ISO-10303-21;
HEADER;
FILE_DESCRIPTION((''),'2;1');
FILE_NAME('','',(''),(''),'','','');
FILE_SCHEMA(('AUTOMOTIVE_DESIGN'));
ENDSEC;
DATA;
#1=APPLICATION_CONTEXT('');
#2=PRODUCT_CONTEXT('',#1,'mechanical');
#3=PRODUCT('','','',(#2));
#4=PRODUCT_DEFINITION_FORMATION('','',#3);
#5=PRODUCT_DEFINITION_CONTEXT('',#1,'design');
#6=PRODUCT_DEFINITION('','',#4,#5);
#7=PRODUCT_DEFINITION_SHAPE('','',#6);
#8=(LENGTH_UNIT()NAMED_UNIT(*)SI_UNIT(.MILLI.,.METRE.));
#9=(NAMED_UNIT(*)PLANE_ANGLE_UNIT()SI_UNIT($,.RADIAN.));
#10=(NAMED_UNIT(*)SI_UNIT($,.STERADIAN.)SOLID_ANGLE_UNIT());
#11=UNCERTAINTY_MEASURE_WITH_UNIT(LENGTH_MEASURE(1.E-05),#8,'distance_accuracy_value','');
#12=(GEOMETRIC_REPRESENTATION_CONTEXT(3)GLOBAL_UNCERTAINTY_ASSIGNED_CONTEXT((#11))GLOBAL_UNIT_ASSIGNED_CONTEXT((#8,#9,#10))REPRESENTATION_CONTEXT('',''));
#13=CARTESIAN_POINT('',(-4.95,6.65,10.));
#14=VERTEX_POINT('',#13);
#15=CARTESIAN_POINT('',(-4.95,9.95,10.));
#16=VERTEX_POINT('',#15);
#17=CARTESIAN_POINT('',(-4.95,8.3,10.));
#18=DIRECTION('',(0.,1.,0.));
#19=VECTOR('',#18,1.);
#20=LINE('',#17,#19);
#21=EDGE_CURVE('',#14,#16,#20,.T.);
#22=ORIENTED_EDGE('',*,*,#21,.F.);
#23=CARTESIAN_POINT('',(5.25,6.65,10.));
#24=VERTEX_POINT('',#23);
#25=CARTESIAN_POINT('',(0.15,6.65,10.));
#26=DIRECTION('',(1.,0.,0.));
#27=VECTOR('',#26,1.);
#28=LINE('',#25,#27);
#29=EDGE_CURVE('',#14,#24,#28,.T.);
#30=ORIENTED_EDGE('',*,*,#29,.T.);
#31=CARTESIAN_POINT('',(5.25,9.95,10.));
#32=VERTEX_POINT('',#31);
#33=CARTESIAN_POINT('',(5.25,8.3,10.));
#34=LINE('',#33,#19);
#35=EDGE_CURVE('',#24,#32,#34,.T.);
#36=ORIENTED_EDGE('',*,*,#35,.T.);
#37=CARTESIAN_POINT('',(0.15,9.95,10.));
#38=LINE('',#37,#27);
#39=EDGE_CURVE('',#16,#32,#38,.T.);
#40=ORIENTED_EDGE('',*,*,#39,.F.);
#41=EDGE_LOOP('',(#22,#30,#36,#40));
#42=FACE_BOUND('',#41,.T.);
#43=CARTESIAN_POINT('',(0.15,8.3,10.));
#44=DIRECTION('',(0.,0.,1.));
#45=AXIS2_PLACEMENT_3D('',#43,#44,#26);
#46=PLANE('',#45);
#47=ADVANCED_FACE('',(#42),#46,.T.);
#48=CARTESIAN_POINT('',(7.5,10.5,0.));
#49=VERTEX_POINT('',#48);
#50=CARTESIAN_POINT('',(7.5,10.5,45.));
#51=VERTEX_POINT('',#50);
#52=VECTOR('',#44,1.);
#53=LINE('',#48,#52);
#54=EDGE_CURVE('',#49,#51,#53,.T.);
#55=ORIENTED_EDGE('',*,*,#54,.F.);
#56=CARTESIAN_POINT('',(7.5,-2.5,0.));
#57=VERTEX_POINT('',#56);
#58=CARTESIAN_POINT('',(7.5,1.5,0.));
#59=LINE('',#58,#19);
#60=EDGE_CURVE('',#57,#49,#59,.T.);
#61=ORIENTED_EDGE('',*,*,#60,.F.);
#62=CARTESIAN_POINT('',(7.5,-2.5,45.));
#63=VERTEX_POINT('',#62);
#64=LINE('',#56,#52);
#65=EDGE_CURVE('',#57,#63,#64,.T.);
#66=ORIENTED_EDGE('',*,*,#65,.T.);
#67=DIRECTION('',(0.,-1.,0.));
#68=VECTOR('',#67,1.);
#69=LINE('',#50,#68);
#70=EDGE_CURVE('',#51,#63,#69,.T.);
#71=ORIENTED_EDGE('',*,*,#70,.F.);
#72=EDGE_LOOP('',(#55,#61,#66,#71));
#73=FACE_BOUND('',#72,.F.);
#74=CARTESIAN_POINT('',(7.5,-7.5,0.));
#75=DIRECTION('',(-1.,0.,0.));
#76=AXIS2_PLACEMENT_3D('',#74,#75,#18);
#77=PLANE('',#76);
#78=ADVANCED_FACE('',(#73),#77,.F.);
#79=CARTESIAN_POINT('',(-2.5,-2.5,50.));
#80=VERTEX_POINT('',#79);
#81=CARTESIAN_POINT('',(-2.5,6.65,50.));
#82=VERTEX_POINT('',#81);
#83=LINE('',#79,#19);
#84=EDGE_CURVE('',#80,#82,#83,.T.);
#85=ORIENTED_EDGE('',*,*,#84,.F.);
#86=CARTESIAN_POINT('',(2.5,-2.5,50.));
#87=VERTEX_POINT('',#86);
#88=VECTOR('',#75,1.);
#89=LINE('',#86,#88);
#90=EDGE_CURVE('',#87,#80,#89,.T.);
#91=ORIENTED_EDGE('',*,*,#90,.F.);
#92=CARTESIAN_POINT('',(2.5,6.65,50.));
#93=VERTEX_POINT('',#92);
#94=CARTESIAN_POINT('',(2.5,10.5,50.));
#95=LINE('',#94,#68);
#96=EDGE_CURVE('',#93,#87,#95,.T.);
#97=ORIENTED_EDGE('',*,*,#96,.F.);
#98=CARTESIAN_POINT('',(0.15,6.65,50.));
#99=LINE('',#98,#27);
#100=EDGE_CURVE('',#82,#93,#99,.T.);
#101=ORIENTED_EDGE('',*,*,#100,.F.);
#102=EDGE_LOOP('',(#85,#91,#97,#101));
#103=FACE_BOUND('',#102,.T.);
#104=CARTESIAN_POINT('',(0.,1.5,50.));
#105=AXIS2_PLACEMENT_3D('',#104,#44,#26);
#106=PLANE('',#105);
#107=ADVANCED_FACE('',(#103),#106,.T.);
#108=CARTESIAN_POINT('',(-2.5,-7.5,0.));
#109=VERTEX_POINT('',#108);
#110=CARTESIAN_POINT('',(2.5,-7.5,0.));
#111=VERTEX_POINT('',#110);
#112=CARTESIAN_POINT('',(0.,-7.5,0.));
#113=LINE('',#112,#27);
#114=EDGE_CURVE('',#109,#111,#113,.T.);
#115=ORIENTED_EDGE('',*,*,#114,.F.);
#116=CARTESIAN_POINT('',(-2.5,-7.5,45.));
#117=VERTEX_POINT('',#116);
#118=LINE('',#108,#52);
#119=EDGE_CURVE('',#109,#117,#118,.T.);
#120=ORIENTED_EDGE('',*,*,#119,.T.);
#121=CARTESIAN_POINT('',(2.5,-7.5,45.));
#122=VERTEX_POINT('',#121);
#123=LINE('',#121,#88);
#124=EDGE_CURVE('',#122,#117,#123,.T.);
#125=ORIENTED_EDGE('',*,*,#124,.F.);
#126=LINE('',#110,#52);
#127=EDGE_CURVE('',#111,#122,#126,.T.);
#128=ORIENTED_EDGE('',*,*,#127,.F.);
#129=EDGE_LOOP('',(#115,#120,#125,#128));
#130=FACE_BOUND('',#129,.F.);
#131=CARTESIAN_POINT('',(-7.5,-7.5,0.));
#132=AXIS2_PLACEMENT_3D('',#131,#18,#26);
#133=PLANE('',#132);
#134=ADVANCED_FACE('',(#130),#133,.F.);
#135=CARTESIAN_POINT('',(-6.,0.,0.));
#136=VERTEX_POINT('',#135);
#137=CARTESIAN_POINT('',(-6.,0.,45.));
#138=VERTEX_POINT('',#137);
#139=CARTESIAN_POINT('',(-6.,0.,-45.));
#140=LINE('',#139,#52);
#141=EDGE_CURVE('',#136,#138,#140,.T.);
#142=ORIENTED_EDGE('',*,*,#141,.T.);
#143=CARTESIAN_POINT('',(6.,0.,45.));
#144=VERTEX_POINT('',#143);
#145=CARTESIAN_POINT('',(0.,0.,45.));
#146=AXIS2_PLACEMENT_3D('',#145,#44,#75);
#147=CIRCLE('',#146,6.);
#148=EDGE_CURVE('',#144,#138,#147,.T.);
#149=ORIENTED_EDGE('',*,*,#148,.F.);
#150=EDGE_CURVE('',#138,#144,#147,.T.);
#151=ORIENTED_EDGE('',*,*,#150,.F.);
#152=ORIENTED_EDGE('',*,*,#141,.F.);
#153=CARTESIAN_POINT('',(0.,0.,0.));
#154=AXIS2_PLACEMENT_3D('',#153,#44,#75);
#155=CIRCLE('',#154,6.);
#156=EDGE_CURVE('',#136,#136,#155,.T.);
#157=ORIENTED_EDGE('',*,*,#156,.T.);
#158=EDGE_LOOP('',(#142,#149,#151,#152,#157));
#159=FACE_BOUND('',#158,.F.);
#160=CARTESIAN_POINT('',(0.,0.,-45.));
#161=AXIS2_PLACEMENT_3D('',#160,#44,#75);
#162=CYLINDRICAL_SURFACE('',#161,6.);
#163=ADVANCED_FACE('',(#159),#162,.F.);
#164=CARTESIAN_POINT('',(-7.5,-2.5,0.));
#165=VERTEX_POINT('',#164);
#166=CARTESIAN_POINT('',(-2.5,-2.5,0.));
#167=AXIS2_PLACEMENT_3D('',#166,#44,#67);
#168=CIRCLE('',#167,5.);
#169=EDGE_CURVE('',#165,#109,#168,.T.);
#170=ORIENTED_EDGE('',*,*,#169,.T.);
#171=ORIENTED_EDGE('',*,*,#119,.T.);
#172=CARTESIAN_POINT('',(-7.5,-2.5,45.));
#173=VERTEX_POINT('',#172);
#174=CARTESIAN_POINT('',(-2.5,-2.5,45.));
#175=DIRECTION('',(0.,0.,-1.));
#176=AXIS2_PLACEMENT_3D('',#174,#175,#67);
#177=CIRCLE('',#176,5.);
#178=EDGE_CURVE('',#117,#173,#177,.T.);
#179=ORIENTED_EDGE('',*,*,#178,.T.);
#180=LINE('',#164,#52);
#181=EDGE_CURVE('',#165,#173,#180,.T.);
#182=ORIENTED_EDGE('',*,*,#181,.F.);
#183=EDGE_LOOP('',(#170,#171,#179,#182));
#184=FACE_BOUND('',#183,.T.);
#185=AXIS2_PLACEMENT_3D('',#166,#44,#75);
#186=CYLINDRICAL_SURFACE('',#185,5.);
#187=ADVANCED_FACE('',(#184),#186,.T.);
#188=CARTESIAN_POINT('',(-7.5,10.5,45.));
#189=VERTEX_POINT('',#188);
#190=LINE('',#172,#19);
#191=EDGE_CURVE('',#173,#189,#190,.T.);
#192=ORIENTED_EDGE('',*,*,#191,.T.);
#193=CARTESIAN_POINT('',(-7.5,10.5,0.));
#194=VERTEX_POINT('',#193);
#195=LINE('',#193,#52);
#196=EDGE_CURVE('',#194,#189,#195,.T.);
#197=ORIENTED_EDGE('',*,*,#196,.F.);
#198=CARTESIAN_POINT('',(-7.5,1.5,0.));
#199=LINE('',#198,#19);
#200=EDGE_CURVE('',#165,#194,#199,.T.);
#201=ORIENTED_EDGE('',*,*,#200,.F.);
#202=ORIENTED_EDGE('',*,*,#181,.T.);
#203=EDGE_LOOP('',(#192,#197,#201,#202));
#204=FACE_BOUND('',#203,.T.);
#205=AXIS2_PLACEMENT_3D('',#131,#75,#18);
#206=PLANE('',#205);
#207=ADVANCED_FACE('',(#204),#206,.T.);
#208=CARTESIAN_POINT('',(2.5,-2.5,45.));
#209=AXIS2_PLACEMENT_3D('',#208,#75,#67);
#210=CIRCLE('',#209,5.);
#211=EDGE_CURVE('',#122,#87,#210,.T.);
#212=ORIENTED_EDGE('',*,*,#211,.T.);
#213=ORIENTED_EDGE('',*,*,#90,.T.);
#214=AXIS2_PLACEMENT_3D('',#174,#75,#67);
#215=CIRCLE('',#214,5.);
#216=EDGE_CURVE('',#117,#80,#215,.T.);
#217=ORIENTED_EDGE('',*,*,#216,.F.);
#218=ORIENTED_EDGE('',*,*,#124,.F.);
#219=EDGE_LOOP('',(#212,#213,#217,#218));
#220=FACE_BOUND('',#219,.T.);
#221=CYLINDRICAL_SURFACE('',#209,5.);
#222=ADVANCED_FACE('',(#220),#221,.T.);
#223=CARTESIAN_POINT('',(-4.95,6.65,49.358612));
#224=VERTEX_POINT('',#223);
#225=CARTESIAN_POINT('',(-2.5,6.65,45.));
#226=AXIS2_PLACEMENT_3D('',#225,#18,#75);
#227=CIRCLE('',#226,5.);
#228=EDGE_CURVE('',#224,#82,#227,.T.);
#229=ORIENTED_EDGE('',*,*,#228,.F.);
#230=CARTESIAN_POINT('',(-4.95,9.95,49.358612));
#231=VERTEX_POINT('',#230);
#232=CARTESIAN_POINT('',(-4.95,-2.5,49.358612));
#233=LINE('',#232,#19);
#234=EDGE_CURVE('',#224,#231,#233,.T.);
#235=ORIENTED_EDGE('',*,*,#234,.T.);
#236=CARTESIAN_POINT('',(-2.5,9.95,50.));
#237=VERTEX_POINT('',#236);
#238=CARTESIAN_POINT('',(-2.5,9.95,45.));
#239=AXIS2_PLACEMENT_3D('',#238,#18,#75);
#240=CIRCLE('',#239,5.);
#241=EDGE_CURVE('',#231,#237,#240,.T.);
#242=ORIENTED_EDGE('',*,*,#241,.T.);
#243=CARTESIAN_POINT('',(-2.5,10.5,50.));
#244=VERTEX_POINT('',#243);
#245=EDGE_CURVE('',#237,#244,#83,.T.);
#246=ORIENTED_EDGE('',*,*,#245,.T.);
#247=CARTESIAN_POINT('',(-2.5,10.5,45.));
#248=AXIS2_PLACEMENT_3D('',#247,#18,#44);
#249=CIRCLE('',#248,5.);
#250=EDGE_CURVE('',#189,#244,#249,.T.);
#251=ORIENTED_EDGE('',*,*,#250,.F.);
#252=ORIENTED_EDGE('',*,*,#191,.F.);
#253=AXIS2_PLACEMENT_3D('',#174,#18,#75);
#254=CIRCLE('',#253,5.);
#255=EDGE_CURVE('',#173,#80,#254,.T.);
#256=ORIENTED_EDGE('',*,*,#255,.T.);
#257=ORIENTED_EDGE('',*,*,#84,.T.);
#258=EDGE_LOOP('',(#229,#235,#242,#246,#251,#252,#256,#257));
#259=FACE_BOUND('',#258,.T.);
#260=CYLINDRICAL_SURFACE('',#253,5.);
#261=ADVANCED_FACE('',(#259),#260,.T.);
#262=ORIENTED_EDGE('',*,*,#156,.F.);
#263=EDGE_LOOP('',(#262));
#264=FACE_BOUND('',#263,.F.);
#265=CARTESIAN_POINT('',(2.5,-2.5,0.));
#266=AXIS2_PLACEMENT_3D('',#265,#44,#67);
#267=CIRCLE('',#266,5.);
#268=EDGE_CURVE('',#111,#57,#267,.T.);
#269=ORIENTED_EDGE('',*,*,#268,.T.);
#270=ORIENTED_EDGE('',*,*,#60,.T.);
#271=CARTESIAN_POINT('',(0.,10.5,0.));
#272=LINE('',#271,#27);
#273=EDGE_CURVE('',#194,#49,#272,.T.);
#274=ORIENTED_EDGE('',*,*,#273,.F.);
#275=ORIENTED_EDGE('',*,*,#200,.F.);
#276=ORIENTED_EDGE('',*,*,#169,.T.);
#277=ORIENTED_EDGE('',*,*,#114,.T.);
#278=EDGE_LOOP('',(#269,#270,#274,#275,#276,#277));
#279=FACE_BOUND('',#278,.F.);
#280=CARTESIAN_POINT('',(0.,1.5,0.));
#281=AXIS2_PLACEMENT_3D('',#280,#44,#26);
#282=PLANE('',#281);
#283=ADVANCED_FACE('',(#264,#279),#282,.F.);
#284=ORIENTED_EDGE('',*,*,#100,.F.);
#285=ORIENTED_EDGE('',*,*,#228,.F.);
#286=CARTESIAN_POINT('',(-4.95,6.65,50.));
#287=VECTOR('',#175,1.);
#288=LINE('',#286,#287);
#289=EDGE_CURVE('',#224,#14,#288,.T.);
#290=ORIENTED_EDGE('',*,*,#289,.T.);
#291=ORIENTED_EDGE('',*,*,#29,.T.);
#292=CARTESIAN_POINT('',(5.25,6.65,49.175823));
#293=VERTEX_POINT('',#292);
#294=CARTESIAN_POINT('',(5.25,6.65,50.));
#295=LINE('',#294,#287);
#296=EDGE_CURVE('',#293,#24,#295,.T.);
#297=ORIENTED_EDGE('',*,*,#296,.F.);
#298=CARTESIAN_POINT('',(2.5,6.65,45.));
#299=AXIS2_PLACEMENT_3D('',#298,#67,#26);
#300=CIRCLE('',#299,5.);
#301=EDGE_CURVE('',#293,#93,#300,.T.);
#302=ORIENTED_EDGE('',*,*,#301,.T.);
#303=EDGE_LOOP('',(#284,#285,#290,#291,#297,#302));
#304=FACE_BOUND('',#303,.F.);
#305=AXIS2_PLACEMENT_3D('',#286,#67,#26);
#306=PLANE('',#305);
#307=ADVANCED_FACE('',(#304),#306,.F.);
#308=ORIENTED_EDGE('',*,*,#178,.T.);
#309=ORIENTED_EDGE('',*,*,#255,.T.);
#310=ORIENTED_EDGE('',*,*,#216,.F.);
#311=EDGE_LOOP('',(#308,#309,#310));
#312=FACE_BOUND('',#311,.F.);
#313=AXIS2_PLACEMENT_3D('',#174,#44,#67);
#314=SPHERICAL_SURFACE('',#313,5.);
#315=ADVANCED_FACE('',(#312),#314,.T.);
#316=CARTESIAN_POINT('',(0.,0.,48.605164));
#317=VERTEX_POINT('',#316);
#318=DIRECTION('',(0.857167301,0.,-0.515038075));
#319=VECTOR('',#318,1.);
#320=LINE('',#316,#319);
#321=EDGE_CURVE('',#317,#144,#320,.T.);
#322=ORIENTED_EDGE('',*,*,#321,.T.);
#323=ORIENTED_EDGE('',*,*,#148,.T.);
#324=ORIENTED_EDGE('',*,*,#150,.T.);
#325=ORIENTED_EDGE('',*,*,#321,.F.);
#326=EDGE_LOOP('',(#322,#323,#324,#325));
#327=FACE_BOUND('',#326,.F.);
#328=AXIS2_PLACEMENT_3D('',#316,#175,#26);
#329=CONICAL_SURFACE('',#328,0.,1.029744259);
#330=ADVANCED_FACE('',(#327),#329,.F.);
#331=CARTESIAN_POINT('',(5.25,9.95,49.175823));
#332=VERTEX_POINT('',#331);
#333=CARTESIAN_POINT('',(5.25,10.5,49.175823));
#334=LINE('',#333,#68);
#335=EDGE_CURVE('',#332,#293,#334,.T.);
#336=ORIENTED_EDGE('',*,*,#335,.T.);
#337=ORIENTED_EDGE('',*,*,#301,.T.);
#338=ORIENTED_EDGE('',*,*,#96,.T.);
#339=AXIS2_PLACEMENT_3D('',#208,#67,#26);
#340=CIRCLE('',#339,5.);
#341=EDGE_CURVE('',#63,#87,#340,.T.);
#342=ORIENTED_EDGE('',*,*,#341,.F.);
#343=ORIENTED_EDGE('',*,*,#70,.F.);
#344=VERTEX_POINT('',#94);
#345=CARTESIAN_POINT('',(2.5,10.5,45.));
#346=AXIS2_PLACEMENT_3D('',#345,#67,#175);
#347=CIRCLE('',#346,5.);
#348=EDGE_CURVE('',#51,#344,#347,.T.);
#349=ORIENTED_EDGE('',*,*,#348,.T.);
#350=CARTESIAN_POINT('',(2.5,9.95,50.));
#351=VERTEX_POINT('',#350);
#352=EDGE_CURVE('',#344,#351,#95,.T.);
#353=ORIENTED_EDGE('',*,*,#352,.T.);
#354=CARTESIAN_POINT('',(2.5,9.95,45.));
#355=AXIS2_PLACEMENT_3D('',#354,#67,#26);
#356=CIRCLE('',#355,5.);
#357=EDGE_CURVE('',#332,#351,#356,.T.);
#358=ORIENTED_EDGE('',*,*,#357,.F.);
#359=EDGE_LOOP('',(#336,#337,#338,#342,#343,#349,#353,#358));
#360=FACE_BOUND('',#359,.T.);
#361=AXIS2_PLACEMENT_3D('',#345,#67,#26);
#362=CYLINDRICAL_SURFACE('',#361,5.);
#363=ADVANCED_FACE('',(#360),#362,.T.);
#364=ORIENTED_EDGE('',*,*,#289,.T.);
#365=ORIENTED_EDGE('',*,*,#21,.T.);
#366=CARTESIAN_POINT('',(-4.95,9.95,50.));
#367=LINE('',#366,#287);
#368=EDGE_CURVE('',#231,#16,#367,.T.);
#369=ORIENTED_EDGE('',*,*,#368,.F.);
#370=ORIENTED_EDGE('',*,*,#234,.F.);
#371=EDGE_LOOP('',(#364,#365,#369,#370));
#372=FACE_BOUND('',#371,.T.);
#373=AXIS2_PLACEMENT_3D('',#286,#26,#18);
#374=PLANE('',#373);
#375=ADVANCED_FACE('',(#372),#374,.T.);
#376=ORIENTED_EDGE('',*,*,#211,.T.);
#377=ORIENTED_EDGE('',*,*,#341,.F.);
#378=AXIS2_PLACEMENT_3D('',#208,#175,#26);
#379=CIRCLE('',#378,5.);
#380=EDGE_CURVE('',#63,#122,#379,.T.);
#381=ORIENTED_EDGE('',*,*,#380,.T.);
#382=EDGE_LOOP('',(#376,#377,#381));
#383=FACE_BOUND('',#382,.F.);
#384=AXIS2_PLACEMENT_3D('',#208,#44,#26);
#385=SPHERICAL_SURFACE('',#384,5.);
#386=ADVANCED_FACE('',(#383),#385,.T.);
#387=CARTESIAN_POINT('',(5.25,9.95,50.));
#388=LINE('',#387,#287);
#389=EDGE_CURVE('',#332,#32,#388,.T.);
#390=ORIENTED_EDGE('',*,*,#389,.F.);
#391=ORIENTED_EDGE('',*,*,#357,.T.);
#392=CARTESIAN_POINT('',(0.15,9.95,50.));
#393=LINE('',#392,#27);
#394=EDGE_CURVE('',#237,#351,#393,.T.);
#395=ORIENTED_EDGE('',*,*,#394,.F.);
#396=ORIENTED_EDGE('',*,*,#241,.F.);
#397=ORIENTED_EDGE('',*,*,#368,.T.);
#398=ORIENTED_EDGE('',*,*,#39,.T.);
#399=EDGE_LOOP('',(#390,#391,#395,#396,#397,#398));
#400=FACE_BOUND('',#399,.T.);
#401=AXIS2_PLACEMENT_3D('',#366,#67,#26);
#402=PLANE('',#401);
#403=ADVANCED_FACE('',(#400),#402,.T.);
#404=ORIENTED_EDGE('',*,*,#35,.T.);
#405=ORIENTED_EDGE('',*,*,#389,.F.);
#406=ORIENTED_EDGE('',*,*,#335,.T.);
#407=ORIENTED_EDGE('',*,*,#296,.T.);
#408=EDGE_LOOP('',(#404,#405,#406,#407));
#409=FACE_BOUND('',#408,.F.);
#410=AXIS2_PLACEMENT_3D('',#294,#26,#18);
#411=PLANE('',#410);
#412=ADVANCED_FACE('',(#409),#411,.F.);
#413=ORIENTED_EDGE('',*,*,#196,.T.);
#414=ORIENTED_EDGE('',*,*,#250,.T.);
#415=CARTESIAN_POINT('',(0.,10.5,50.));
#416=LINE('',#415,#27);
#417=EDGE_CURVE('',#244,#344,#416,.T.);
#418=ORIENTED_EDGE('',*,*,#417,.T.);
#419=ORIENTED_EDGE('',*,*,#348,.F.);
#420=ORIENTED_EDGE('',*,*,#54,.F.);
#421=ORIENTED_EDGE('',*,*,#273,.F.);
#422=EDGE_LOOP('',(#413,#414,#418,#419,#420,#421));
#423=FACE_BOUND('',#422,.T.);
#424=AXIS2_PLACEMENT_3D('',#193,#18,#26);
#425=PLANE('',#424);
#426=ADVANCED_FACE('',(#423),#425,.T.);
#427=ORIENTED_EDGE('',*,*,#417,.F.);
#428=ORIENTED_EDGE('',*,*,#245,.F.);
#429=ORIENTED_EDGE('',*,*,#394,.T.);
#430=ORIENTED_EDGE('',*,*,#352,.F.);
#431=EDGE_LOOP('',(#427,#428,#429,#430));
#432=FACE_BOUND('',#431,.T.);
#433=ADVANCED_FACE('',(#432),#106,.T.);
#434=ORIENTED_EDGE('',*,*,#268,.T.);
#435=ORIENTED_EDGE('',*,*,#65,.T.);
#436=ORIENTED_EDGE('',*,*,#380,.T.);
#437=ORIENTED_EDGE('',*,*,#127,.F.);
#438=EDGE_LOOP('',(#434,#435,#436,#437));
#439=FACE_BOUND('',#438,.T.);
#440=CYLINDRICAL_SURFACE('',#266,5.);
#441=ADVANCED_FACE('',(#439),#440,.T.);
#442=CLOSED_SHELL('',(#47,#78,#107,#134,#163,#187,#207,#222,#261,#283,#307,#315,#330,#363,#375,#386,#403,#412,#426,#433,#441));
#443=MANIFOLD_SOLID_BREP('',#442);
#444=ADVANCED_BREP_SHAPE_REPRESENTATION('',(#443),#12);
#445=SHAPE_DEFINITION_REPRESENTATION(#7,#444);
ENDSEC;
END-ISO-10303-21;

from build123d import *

# Parameters (mm, degrees)
F0_W     = 15
F0_H     = 18
F0_R     = 6
F0_W_2   = 10.2
F0_H_2   = 3.3
F1_DEPTH = 50
F2_D     = 12
F2_DEPTH = 45
F2_TIP   = 3.6051637142
F3_R     = 5
F4_R     = 5
F6_W     = 10.2
F6_H     = 3.3
F7_DEPTH = 40


with BuildPart() as f1:
    # F0 (on Top) → F1 (new body)
    with BuildSketch(Plane.XY):
        with Locations((0, 1.5)):
            Rectangle(F0_W, F0_H)
        Circle(F0_R, mode=Mode.SUBTRACT)
        with Locations((-0.15, 8.3)):
            Rectangle(F0_W_2, F0_H_2, mode=Mode.SUBTRACT)
        with Locations((-0.15, 8.3)):
            Rectangle(F0_W_2, F0_H_2)
        Circle(F0_R)
    extrude(amount=F1_DEPTH)

    # F2
    with Locations(Plane(origin=(0, 0, 0), x_dir=(1, 0, 0), z_dir=(0, 0, -1))):
        with Locations((0, 0)):
            Hole(F2_D / 2, depth=F2_DEPTH)
            with Locations((0, 0, -(F2_DEPTH + F2_TIP / 2))):  # 118° drill point
                Cone(0, F2_D / 2, F2_TIP, mode=Mode.SUBTRACT)

    # F3
    f3_edges = [f1.edges().sort_by_distance(p)[0] for p in [
        (7.5, -7.5, 25),
        (-7.5, -7.5, 25),
    ]]
    fillet(f3_edges, radius=F3_R)

    # F4
    f4_edges = [f1.edges().sort_by_distance(p)[0] for p in [
        (-7.5, 4, 50),
    ]]
    fillet(f4_edges, radius=F4_R)

    # F6 (on offset) → F7 (cut)
    with BuildSketch(Plane.XY.offset(50)):
        with Locations((0.15, 8.3)):
            Rectangle(F6_W, F6_H)
    extrude(amount=-F7_DEPTH, mode=Mode.SUBTRACT)


solid = f1.part
